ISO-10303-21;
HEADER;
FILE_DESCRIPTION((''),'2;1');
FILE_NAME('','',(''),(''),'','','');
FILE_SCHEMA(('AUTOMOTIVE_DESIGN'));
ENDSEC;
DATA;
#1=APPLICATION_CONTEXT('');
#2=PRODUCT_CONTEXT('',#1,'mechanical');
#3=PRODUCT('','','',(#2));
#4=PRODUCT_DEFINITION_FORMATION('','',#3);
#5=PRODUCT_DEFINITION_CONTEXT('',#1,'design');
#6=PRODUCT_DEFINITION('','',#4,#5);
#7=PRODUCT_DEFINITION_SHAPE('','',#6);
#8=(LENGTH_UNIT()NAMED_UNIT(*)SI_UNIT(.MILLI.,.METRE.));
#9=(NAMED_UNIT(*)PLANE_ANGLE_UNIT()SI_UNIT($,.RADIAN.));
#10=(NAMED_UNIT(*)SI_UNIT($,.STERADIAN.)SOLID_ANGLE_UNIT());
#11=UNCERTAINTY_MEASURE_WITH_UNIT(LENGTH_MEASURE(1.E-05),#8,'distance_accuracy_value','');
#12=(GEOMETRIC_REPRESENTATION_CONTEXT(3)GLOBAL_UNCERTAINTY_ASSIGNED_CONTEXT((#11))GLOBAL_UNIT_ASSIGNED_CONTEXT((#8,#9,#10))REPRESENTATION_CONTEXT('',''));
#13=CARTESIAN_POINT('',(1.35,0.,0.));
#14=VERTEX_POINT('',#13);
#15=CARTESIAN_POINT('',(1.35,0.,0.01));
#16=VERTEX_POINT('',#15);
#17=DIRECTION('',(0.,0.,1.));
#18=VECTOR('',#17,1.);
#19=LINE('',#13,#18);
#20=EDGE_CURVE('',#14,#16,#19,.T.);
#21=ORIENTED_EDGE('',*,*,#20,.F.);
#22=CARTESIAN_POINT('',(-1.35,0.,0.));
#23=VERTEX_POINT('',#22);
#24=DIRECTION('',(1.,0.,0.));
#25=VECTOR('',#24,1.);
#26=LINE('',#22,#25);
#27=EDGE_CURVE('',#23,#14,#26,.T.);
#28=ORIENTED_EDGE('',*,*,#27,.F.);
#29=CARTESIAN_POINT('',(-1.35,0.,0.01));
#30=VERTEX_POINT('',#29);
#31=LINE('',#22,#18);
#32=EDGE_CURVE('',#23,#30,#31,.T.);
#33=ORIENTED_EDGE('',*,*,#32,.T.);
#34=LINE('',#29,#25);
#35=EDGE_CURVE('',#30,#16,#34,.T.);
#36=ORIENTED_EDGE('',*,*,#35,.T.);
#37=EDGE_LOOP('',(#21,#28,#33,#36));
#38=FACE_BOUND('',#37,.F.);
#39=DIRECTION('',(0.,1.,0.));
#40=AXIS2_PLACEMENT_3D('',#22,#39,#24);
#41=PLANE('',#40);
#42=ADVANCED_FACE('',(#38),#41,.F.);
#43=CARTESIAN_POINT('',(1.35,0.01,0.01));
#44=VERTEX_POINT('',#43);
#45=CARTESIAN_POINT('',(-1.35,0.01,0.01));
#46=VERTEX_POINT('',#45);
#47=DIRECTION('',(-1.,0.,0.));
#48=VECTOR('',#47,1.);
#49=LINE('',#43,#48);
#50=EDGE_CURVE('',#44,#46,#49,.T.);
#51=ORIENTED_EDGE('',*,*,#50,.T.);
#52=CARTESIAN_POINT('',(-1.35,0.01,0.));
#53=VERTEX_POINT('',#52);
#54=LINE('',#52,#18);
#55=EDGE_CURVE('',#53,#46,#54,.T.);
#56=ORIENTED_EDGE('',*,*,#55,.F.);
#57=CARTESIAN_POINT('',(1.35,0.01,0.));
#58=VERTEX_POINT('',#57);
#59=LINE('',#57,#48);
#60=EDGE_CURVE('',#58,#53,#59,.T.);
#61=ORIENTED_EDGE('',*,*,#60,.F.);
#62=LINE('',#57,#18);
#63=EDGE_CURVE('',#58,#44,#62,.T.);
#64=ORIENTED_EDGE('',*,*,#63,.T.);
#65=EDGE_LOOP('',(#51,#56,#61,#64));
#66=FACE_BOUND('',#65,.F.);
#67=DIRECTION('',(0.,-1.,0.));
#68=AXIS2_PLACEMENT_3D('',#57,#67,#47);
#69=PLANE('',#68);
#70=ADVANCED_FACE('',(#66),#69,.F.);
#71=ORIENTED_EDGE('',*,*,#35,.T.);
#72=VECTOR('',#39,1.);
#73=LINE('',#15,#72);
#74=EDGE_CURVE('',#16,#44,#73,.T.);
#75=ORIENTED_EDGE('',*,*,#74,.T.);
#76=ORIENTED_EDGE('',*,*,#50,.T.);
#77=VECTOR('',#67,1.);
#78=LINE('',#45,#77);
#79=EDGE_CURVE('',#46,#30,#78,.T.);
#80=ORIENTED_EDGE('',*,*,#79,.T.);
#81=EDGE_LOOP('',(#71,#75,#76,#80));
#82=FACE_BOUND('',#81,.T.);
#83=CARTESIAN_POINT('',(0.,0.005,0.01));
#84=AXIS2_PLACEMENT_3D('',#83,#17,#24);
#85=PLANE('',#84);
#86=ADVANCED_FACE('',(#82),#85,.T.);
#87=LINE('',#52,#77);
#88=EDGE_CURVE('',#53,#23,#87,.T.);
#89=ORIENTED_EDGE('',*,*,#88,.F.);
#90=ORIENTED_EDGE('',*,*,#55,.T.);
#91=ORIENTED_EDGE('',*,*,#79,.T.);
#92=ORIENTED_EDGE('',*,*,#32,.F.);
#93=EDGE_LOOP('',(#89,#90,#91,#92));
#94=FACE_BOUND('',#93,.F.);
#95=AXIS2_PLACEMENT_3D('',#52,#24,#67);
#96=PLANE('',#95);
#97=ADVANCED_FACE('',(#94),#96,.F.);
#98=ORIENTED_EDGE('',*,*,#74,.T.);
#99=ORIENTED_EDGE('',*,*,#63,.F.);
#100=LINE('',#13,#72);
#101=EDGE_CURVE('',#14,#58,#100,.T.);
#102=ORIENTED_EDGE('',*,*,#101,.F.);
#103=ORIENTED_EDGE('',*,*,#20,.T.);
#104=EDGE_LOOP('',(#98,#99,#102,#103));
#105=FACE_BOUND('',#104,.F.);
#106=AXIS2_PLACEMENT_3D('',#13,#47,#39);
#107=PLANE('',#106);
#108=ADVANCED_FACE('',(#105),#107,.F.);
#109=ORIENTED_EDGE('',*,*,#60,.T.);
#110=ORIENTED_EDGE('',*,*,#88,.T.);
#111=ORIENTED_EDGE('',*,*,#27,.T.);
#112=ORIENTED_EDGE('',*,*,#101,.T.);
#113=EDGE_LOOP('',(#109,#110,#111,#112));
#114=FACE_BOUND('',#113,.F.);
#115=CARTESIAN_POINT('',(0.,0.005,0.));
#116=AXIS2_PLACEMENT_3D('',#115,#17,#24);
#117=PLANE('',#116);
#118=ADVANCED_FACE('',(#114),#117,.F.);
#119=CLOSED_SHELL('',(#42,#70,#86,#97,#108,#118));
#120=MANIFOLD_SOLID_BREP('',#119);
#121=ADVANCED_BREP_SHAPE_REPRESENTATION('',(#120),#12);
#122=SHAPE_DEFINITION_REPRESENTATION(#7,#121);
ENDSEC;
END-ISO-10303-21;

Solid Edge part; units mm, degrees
sketch "Sketch1" plane through (0, 0, 0) normal (0, 0, 1) x (1, 0, 0)
  line L0 (-1.35, 0) -> (1.35, 0)
  line L1 (1.35, 0) -> (1.35, 0.01)
  line L2 (1.35, 0.01) -> (-1.35, 0.01)
  line L3 (-1.35, 0.01) -> (-1.35, 0)
  dimension "D1" = 2.7
  dimension "D2" = 0.01
extrude "Protrusion1" add sketch "Sketch1" along normal blind 0.01
